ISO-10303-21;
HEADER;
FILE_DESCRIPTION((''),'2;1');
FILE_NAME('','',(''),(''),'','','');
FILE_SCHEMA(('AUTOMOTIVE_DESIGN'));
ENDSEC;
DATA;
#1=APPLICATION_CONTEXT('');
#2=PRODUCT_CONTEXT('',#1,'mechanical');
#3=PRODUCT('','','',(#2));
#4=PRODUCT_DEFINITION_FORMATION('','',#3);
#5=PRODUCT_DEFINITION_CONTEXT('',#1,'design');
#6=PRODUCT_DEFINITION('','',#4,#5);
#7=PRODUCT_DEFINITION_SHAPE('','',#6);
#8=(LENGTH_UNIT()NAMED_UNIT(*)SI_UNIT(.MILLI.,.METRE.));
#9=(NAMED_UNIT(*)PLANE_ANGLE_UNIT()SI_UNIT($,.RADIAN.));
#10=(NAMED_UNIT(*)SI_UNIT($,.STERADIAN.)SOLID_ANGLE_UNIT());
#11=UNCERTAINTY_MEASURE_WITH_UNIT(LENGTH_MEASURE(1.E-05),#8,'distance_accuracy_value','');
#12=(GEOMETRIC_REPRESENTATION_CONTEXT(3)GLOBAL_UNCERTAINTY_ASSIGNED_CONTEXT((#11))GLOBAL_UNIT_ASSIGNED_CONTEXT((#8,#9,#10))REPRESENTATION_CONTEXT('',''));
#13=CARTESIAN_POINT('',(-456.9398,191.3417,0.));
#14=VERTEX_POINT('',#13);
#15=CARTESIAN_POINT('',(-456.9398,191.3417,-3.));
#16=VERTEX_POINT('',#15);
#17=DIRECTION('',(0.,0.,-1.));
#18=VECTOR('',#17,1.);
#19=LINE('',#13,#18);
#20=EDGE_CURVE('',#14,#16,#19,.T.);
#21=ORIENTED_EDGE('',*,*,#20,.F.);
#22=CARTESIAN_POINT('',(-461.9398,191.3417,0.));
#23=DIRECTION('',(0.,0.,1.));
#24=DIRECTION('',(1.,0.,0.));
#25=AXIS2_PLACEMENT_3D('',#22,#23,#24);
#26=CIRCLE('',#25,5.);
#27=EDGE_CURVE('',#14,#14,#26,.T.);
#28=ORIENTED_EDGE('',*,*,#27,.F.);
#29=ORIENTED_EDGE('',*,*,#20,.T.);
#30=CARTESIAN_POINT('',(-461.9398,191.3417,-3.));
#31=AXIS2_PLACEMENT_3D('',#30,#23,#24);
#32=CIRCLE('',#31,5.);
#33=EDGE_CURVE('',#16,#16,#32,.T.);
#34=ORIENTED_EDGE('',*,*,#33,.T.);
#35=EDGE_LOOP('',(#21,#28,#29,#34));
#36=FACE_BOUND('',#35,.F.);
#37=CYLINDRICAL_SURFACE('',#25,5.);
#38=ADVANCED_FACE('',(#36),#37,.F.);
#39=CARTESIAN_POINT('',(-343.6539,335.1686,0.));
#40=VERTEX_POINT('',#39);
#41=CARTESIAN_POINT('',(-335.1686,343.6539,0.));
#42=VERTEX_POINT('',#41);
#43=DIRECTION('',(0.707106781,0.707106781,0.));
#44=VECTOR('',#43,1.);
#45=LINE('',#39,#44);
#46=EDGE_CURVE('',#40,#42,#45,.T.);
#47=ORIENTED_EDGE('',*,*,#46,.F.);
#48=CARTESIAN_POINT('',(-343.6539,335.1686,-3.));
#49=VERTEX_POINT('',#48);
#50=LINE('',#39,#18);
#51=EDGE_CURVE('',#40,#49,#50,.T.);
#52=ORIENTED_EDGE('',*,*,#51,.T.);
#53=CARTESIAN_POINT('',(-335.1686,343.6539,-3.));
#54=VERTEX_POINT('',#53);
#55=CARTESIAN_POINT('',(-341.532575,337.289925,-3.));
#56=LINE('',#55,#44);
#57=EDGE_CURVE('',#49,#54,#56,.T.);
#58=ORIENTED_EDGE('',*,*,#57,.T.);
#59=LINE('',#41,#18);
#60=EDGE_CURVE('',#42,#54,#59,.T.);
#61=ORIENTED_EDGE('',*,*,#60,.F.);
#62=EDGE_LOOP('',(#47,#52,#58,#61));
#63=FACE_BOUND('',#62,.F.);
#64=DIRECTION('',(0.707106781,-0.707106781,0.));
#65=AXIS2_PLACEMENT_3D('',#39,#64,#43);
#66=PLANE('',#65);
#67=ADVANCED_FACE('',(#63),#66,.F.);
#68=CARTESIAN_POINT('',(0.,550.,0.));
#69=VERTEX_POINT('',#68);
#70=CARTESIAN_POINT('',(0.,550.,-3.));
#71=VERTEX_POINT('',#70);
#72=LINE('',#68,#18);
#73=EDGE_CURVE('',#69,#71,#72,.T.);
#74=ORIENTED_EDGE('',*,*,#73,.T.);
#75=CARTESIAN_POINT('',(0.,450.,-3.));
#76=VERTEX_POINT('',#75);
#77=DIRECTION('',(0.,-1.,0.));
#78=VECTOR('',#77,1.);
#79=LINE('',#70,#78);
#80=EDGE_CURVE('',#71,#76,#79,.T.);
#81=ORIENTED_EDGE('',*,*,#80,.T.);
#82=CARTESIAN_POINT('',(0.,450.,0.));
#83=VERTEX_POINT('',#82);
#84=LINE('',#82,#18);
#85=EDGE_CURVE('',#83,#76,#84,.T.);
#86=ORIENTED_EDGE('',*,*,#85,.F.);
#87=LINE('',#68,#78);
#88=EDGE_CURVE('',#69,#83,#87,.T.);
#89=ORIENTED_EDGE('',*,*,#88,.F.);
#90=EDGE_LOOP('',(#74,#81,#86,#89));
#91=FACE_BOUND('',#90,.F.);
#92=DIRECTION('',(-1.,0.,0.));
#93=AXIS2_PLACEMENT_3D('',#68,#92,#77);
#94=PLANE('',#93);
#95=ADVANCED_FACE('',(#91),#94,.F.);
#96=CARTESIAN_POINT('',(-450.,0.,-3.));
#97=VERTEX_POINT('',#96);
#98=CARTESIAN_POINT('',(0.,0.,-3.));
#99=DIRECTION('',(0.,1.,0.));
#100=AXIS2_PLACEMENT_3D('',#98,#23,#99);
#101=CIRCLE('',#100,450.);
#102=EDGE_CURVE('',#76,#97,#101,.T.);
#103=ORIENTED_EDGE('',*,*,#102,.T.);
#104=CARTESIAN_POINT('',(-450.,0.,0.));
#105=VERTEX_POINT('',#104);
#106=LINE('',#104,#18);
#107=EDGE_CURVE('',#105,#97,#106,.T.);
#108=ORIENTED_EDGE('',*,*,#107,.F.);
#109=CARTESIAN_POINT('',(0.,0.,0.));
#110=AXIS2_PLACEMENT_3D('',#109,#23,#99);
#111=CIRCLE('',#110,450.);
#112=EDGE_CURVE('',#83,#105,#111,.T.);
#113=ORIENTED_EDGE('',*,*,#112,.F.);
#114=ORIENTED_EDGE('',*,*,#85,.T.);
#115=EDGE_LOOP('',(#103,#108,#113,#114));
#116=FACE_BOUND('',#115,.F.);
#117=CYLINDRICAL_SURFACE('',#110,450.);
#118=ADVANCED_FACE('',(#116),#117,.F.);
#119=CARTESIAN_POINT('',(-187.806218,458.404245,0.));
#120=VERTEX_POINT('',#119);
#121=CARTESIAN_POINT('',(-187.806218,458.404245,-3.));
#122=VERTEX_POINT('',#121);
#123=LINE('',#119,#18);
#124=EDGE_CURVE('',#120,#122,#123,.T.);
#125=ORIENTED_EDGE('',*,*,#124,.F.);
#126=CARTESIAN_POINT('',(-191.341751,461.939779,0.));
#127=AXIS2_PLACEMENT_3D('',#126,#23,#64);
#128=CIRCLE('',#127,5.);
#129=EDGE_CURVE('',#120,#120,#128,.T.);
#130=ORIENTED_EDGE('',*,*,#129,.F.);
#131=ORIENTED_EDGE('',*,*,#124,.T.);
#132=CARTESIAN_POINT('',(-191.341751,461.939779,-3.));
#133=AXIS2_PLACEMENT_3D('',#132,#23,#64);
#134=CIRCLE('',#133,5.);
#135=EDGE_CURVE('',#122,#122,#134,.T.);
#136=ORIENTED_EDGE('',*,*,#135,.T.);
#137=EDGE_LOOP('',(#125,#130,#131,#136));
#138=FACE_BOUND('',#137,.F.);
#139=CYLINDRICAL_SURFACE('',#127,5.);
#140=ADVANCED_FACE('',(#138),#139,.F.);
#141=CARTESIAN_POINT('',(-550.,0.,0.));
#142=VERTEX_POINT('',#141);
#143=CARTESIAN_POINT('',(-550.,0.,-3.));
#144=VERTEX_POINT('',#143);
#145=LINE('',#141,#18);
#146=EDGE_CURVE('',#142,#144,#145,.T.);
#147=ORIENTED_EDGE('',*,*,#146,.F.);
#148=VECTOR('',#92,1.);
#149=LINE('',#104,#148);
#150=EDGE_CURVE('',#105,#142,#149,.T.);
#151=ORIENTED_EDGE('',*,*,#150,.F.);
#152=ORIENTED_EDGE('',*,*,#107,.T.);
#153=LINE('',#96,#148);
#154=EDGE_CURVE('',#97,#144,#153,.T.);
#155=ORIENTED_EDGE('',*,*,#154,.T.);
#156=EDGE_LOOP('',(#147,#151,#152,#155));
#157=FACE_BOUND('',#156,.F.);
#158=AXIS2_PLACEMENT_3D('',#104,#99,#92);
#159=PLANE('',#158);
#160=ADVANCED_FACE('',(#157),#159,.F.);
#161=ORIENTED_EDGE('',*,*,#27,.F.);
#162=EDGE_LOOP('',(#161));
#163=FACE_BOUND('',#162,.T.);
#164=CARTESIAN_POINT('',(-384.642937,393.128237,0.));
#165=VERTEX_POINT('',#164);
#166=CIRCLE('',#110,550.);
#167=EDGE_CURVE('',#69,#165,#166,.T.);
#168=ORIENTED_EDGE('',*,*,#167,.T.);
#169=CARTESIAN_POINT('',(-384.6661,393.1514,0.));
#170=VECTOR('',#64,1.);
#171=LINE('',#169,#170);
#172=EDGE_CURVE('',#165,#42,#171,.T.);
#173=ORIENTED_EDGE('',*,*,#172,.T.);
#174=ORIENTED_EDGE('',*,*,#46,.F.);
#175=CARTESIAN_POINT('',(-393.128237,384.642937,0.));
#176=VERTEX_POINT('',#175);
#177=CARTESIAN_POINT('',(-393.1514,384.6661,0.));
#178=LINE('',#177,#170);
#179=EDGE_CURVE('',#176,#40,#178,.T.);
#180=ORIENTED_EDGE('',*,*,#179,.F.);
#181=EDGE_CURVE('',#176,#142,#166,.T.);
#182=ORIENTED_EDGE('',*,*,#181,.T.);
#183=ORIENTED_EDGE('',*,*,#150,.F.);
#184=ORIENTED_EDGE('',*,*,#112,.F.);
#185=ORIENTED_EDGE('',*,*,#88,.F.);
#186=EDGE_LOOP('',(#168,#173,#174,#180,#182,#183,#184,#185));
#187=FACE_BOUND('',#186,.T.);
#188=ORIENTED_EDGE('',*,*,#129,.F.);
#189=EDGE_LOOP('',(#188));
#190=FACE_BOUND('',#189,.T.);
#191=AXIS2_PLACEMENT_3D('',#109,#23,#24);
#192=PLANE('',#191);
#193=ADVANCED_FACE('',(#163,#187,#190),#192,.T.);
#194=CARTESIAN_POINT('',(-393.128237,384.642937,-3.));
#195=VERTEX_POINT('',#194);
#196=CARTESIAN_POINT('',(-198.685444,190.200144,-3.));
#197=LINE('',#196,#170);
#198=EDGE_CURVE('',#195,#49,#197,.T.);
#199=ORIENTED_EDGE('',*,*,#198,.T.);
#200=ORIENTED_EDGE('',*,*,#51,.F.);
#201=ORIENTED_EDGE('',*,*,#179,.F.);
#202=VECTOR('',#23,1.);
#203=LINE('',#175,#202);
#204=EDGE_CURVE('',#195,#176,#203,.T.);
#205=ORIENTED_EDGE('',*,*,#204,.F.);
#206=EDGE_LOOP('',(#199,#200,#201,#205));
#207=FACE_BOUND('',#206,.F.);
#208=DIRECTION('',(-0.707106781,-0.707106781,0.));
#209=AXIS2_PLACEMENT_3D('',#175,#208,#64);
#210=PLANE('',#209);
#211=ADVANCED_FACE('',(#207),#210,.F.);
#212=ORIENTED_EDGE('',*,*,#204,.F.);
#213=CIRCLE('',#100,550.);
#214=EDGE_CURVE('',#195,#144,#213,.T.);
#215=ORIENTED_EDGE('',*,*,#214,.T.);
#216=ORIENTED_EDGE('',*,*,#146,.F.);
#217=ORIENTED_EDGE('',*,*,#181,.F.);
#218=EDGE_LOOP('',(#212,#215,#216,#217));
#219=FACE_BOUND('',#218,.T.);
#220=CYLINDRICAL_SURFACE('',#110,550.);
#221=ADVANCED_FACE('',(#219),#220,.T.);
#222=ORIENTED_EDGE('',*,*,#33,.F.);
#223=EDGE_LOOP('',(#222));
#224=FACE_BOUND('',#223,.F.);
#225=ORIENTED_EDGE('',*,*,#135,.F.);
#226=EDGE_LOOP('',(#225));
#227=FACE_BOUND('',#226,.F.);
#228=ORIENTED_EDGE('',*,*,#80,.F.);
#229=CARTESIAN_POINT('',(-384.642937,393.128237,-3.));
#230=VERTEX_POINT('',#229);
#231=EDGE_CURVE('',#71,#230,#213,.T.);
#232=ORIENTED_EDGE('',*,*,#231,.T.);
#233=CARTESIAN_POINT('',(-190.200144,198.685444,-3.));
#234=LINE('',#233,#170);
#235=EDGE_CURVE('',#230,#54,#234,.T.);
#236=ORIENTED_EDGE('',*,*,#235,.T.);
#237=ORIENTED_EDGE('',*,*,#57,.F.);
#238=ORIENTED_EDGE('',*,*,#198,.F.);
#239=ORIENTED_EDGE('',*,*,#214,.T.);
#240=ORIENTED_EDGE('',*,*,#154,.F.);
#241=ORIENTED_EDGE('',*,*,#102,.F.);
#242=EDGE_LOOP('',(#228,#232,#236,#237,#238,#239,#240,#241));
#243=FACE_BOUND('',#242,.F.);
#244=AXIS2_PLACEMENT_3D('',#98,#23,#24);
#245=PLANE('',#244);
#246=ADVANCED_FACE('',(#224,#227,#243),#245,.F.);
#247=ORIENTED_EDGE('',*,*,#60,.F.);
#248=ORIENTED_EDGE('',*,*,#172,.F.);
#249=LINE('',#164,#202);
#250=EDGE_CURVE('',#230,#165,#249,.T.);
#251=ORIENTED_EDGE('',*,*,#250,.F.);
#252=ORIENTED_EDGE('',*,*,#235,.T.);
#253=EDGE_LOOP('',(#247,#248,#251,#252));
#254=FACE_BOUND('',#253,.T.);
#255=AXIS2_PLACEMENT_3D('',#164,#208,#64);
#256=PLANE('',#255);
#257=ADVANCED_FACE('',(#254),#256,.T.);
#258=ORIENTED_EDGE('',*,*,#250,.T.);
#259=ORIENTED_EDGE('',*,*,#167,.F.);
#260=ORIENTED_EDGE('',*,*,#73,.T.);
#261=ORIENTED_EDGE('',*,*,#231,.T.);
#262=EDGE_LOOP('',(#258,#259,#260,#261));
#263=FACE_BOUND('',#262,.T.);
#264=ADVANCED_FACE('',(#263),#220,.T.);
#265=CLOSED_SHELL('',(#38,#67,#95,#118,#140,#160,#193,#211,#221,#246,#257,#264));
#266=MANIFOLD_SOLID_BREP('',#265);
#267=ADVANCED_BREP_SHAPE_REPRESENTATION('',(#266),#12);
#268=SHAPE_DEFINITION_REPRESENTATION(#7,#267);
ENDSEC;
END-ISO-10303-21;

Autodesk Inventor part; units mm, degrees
ref_plane "YZ Plane" through (0, 0, 0) normal (1, 0, 0) x (0, 1, 0)
ref_plane "XZ Plane" through (0, 0, 0) normal (0, 1, 0) x (-1, 0, 0)
ref_plane "XY Plane" through (0, 0, 0) normal (0, 0, 1) x (1, 0, 0)
sketch "Sketch1" plane through (0, 0, 0) normal (0, 0, 1) x (1, 0, 0)
  arc A0 (0, 550) -> (-550, 0) centre (0, 0) ccw
  arc A1 (0, 450) -> (-450, 0) centre (0, 0) ccw
  line L0 (0, 550) -> (0, 450)
  line L1 (-450, 0) -> (-550, 0)
  point P0 (-500, 0)
  point P1 (0, 500)
  dimension "d0" = 1100
  dimension "d1" = 900
extrude "Plate1" add sketch "Sketch1" against normal blind 3
sketch "Sketch2" plane through (0, 0, 0) normal (0, 0, 1) x (1, 0, 0)
  line L0 (-550, 0) -> (-450, 0) projected
  arc A0 (0, 550) -> (-550, 0) centre (0, 0) ccw projected
  circle A1 centre (-461.9398, 191.3417) radius 5
  arc A2 (0, 450) -> (-450, 0) centre (0, 0) ccw projected
  line L1 (-415.7458, 172.2075) -> (-508.1337, 210.4759) construction
  point P0 (-461.9398, 191.3417)
  dimension "d4" = 10
  dimension "d5" = 22.5
extrude "Cut1" cut sketch "Sketch2" against normal through all
pattern_circular "Circular Pattern1" count 2 over 45 about axis through (0, 0, 0) along (0, 0, -1) of "Cut1"
sketch "Sketch3" plane through (0, 0, 0) normal (0, 0, 1) x (1, 0, 0)
  line L0 (-388.9087, 388.9087) -> (-318.1981, 318.1981) construction
  arc A0 (0, 450) -> (-450, 0) centre (0, 0) ccw projected
  arc A1 (0, 550) -> (-550, 0) centre (0, 0) ccw projected
  line L1 (-550, 0) -> (-450, 0) projected
  line L2 (-384.6661, 393.1514) -> (-393.1514, 384.6661)
  line L3 (-384.6661, 393.1514) -> (-335.1686, 343.6539)
  line L4 (-393.1514, 384.6661) -> (-343.6539, 335.1686)
  line L5 (-343.6539, 335.1686) -> (-335.1686, 343.6539)
  point P0 (-388.9087, 388.9087)
  dimension "d11" = 45
  dimension "d12" = 12
  dimension "d13" = 70
extrude "Extrusion1" cut sketch "Sketch3" against normal through all
equation "\"d0\" = Диаметр_вн"
equation "\"d1\" = d0 - 2 * Ширина_кольца"
equation "\"d4\" = Диаметр_отв"
equation "\"d6\" = Thickness"
equation "\"d2\" = Thickness"
equation "\"BendReliefWidth\" = Thickness"
equation "\"BendReliefDepth\" = 0.5 * Thickness"
equation "\"CornerReliefSize\" = 4 * Thickness"
equation "\"MinimumRemnant\" = 2 * Thickness"
equation "\"TransitionRadius\" = BendRadius"
equation "\"JacobiRadiusSize\" = BendRadius"
equation "\"GapSize\" = Thickness"
equation "\"Диаметр_вн\" = 1100"
equation "\"Ширина_кольца\" = 100"
equation "\"Диаметр_отв\" = 10"
equation "\"Thickness\" = 3"
equation "\"BendRadius\" = 5"
properties part number "BSH 502 segment" material "Stainless Steel"
